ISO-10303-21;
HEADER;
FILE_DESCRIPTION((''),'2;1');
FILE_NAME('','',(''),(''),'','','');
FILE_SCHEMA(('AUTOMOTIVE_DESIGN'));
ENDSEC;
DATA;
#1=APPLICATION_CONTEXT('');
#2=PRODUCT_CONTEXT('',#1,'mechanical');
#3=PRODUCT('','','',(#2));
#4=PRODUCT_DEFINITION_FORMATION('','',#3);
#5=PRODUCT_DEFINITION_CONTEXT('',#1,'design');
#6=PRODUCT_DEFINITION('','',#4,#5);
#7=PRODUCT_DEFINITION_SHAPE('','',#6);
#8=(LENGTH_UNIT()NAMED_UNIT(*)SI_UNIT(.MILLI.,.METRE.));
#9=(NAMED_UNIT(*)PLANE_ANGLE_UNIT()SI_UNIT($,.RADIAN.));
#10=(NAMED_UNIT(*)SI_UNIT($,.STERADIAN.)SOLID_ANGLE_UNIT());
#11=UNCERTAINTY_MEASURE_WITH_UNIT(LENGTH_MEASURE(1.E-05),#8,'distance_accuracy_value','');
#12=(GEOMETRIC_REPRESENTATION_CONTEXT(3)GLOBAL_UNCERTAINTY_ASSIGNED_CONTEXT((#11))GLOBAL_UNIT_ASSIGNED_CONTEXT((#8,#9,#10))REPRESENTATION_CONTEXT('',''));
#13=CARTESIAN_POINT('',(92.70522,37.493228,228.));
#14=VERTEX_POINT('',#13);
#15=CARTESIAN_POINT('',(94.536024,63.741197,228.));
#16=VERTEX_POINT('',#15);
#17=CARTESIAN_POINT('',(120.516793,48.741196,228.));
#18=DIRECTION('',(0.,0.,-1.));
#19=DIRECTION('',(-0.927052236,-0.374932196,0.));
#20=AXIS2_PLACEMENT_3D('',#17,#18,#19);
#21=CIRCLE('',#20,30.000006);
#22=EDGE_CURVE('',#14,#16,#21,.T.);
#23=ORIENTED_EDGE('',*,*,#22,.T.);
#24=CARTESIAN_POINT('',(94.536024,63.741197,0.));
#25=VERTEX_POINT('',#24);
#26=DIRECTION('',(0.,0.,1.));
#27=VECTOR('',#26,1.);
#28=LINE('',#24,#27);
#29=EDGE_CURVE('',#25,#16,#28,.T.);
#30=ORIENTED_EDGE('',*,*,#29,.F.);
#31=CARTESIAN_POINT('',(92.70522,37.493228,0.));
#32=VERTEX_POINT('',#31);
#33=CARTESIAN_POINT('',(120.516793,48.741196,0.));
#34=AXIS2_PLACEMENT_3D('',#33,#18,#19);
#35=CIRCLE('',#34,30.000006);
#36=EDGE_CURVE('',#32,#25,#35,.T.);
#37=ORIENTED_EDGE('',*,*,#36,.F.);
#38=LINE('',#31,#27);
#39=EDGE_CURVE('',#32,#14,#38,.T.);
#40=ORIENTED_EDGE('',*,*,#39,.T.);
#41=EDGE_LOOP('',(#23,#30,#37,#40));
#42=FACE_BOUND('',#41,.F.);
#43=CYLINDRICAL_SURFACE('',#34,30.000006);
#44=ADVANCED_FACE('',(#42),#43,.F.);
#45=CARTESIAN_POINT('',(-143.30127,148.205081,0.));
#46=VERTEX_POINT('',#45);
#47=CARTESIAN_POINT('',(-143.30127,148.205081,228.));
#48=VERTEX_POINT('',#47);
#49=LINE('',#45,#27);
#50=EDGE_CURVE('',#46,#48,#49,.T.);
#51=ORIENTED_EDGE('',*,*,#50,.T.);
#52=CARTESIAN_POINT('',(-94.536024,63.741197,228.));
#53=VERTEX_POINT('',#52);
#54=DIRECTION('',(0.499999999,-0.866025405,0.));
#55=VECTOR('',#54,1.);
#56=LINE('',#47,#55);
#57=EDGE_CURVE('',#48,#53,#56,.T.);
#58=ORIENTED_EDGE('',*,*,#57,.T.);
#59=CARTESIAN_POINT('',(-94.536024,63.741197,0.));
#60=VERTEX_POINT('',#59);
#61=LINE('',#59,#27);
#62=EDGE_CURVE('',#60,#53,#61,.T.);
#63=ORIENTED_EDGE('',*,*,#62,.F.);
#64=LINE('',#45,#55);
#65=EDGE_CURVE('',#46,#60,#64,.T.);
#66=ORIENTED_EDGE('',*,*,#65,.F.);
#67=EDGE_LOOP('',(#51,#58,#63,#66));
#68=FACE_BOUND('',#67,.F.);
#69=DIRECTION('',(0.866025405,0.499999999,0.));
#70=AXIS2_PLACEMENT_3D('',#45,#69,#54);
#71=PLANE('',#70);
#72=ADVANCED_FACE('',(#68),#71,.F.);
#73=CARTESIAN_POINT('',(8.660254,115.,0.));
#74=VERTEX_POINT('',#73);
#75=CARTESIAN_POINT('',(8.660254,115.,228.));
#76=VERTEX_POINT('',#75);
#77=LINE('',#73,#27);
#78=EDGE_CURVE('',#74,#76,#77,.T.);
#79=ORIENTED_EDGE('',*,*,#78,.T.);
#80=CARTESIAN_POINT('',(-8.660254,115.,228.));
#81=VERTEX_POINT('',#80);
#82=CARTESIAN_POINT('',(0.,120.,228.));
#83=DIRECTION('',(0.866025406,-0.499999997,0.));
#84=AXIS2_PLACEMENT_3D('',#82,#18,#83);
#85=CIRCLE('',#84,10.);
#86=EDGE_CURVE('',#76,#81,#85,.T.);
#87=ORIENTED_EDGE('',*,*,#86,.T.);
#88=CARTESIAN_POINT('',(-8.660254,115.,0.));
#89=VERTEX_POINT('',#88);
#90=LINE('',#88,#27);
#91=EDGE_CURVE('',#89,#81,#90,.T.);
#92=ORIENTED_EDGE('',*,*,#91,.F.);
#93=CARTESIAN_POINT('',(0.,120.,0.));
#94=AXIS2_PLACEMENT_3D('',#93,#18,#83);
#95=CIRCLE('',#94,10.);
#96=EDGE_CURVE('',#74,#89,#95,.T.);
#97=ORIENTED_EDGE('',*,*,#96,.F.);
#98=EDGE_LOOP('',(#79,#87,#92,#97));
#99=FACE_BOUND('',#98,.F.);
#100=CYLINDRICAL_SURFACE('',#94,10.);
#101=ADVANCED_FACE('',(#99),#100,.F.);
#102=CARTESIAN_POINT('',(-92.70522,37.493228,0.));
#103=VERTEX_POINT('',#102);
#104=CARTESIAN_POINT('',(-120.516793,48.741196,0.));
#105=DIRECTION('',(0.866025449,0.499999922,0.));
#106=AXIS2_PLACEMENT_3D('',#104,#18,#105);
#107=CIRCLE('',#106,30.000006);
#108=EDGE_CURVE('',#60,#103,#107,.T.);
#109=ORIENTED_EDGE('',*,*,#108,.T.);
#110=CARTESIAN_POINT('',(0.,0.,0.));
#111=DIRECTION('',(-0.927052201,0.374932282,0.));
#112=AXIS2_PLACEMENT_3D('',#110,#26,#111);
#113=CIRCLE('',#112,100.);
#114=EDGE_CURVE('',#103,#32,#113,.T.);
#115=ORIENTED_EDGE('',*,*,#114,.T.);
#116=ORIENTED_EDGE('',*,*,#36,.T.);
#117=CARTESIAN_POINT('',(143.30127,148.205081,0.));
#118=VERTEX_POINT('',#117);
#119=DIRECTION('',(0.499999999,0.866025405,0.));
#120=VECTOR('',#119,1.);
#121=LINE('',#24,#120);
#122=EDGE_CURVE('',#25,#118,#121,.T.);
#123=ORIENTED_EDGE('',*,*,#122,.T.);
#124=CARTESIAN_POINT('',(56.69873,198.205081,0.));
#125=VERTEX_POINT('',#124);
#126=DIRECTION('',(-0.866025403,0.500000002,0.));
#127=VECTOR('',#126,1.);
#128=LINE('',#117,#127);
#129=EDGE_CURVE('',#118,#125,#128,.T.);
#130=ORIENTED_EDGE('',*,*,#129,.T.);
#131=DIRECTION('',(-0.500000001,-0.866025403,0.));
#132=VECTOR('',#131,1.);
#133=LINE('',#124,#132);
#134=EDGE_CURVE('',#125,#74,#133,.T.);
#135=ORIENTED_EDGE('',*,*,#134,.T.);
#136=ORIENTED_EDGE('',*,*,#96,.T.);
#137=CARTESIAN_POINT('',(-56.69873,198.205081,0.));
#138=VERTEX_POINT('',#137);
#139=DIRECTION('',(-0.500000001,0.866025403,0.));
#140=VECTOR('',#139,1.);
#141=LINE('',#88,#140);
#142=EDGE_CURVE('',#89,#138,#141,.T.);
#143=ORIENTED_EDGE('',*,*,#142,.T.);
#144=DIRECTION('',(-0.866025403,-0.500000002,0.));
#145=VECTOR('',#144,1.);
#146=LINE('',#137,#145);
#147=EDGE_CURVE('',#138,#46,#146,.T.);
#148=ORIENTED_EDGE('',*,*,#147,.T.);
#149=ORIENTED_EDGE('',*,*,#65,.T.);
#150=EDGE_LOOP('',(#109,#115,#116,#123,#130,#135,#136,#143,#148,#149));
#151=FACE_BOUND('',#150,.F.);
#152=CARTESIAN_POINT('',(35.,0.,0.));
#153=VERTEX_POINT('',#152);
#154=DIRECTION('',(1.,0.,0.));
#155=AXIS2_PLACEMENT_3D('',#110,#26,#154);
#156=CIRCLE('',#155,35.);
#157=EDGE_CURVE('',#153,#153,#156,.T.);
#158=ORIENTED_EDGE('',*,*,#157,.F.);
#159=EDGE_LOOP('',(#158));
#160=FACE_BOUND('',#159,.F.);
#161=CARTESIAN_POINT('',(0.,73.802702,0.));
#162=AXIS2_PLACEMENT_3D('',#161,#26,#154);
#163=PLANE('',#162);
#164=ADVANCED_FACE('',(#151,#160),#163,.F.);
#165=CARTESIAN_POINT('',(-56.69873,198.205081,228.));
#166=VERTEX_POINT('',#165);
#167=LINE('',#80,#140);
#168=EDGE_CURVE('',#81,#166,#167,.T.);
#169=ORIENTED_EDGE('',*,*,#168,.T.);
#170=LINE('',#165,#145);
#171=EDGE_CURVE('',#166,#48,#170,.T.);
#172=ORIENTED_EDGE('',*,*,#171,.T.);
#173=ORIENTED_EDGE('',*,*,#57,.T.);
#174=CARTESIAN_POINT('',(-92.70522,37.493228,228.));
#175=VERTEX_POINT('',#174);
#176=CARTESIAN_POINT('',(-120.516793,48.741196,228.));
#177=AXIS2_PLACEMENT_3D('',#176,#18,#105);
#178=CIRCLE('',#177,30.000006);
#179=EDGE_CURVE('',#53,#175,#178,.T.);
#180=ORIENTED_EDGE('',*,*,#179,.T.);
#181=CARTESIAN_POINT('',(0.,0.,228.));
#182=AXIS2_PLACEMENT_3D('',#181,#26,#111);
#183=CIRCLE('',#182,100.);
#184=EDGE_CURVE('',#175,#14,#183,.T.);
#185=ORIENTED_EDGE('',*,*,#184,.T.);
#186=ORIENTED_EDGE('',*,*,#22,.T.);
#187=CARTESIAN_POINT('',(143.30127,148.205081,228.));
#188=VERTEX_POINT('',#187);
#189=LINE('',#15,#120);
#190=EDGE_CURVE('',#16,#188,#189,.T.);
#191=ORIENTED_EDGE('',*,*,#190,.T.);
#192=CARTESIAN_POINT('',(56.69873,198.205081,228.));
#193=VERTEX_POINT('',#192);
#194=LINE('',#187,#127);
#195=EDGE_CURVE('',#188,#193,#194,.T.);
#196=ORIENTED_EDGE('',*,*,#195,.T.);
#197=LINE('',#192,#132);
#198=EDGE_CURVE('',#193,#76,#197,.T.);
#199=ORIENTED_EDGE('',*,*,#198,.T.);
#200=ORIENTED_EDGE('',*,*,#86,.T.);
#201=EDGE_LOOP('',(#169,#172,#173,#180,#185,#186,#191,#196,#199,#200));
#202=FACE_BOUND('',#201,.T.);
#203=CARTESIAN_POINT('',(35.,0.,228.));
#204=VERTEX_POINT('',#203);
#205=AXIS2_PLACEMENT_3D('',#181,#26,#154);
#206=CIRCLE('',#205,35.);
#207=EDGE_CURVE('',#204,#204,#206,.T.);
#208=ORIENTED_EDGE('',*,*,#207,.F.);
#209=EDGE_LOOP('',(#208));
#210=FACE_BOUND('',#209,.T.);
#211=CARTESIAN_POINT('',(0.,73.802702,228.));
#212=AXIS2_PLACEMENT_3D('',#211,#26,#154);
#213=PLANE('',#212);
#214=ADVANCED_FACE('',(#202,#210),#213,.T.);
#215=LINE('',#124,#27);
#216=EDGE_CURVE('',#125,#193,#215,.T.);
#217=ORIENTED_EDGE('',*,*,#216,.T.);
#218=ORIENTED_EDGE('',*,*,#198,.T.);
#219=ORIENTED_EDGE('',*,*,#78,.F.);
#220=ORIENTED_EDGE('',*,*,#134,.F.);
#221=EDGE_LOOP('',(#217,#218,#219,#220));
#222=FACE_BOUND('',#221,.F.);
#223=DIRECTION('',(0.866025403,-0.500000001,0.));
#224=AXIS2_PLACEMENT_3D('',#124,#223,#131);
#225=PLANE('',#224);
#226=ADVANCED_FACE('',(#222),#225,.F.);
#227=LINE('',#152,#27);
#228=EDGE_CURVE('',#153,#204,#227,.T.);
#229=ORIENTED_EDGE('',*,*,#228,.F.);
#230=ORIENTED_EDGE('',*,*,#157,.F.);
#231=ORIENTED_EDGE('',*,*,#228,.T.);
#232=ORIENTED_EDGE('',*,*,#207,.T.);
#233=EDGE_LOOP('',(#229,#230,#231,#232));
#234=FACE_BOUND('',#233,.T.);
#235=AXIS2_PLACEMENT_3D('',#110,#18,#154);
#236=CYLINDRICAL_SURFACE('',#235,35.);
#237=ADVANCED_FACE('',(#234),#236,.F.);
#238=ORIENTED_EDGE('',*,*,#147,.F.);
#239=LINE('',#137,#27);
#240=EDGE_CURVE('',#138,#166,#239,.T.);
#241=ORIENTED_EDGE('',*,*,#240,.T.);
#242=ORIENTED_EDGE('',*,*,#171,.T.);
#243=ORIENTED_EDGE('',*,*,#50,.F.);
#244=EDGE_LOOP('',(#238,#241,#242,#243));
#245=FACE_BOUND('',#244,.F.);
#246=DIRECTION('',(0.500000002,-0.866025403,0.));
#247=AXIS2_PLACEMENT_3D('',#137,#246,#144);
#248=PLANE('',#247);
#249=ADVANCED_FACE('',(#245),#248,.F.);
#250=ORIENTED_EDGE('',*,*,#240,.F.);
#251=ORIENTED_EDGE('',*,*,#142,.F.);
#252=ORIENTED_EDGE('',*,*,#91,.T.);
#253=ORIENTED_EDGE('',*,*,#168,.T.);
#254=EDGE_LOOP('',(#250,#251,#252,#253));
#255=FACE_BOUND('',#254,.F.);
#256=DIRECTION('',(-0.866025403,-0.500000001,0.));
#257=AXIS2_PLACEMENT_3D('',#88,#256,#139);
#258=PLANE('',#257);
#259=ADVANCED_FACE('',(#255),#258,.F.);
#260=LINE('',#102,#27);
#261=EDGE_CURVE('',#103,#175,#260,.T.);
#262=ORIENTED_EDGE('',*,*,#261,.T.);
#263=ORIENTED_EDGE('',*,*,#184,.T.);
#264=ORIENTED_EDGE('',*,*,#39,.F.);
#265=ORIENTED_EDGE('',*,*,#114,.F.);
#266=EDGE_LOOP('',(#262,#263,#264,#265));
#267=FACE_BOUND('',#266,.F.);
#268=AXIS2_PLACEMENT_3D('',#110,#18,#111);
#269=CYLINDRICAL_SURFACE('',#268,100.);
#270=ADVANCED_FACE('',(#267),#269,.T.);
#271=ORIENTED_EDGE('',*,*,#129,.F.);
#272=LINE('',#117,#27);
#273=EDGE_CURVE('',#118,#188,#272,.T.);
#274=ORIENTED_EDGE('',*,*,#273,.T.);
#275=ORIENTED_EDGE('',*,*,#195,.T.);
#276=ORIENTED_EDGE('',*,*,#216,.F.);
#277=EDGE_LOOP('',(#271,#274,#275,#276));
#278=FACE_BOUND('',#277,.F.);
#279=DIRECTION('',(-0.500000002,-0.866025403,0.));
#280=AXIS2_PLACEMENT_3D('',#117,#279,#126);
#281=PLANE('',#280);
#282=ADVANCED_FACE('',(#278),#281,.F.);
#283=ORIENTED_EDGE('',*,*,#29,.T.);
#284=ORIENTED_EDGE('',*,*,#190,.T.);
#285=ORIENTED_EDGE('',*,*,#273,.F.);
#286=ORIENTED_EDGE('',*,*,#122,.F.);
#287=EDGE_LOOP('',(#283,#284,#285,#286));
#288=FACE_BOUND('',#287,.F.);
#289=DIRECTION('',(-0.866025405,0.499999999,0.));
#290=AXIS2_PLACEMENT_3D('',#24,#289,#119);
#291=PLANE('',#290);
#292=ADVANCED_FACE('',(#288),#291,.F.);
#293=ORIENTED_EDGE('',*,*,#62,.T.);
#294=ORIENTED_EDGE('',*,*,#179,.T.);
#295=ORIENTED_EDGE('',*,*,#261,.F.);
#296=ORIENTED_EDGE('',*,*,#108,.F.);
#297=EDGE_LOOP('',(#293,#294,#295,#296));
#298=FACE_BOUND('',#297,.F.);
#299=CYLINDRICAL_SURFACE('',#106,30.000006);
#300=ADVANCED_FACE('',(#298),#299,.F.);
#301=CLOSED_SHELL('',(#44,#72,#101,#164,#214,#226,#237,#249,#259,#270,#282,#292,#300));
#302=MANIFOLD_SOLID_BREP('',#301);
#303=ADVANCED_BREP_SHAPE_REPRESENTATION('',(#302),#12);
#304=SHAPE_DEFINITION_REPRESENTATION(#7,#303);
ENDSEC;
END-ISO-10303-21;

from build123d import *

# Parameters (mm, degrees)
F0_R     = 35
F1_DEPTH = 228


with BuildPart() as f1:
    # F0 (on Top) → F1 (new body)
    with BuildSketch(Plane.XY):
        with BuildLine():
            ThreePointArc((-92.70522, 37.493228), (0, -100), (92.70522, 37.493228))
            ThreePointArc((92.70522, 37.493228), (90.589498, 50.828634), (94.536024, 63.741197))
            Line((94.536024, 63.741197), (143.30127, 148.205081))
            Line((143.30127, 148.205081), (56.69873, 198.205081))
            Line((56.69873, 198.205081), (8.660254, 115))
            ThreePointArc((8.660254, 115), (0, 110), (-8.660254, 115))
            Line((-8.660254, 115), (-56.69873, 198.205081))
            Line((-56.69873, 198.205081), (-143.30127, 148.205081))
            Line((-143.30127, 148.205081), (-94.536024, 63.741197))
            ThreePointArc((-94.536024, 63.741197), (-90.589498, 50.828634), (-92.70522, 37.493228))
        make_face()
        Circle(F0_R, mode=Mode.SUBTRACT)
    extrude(amount=F1_DEPTH)


solid = f1.part
